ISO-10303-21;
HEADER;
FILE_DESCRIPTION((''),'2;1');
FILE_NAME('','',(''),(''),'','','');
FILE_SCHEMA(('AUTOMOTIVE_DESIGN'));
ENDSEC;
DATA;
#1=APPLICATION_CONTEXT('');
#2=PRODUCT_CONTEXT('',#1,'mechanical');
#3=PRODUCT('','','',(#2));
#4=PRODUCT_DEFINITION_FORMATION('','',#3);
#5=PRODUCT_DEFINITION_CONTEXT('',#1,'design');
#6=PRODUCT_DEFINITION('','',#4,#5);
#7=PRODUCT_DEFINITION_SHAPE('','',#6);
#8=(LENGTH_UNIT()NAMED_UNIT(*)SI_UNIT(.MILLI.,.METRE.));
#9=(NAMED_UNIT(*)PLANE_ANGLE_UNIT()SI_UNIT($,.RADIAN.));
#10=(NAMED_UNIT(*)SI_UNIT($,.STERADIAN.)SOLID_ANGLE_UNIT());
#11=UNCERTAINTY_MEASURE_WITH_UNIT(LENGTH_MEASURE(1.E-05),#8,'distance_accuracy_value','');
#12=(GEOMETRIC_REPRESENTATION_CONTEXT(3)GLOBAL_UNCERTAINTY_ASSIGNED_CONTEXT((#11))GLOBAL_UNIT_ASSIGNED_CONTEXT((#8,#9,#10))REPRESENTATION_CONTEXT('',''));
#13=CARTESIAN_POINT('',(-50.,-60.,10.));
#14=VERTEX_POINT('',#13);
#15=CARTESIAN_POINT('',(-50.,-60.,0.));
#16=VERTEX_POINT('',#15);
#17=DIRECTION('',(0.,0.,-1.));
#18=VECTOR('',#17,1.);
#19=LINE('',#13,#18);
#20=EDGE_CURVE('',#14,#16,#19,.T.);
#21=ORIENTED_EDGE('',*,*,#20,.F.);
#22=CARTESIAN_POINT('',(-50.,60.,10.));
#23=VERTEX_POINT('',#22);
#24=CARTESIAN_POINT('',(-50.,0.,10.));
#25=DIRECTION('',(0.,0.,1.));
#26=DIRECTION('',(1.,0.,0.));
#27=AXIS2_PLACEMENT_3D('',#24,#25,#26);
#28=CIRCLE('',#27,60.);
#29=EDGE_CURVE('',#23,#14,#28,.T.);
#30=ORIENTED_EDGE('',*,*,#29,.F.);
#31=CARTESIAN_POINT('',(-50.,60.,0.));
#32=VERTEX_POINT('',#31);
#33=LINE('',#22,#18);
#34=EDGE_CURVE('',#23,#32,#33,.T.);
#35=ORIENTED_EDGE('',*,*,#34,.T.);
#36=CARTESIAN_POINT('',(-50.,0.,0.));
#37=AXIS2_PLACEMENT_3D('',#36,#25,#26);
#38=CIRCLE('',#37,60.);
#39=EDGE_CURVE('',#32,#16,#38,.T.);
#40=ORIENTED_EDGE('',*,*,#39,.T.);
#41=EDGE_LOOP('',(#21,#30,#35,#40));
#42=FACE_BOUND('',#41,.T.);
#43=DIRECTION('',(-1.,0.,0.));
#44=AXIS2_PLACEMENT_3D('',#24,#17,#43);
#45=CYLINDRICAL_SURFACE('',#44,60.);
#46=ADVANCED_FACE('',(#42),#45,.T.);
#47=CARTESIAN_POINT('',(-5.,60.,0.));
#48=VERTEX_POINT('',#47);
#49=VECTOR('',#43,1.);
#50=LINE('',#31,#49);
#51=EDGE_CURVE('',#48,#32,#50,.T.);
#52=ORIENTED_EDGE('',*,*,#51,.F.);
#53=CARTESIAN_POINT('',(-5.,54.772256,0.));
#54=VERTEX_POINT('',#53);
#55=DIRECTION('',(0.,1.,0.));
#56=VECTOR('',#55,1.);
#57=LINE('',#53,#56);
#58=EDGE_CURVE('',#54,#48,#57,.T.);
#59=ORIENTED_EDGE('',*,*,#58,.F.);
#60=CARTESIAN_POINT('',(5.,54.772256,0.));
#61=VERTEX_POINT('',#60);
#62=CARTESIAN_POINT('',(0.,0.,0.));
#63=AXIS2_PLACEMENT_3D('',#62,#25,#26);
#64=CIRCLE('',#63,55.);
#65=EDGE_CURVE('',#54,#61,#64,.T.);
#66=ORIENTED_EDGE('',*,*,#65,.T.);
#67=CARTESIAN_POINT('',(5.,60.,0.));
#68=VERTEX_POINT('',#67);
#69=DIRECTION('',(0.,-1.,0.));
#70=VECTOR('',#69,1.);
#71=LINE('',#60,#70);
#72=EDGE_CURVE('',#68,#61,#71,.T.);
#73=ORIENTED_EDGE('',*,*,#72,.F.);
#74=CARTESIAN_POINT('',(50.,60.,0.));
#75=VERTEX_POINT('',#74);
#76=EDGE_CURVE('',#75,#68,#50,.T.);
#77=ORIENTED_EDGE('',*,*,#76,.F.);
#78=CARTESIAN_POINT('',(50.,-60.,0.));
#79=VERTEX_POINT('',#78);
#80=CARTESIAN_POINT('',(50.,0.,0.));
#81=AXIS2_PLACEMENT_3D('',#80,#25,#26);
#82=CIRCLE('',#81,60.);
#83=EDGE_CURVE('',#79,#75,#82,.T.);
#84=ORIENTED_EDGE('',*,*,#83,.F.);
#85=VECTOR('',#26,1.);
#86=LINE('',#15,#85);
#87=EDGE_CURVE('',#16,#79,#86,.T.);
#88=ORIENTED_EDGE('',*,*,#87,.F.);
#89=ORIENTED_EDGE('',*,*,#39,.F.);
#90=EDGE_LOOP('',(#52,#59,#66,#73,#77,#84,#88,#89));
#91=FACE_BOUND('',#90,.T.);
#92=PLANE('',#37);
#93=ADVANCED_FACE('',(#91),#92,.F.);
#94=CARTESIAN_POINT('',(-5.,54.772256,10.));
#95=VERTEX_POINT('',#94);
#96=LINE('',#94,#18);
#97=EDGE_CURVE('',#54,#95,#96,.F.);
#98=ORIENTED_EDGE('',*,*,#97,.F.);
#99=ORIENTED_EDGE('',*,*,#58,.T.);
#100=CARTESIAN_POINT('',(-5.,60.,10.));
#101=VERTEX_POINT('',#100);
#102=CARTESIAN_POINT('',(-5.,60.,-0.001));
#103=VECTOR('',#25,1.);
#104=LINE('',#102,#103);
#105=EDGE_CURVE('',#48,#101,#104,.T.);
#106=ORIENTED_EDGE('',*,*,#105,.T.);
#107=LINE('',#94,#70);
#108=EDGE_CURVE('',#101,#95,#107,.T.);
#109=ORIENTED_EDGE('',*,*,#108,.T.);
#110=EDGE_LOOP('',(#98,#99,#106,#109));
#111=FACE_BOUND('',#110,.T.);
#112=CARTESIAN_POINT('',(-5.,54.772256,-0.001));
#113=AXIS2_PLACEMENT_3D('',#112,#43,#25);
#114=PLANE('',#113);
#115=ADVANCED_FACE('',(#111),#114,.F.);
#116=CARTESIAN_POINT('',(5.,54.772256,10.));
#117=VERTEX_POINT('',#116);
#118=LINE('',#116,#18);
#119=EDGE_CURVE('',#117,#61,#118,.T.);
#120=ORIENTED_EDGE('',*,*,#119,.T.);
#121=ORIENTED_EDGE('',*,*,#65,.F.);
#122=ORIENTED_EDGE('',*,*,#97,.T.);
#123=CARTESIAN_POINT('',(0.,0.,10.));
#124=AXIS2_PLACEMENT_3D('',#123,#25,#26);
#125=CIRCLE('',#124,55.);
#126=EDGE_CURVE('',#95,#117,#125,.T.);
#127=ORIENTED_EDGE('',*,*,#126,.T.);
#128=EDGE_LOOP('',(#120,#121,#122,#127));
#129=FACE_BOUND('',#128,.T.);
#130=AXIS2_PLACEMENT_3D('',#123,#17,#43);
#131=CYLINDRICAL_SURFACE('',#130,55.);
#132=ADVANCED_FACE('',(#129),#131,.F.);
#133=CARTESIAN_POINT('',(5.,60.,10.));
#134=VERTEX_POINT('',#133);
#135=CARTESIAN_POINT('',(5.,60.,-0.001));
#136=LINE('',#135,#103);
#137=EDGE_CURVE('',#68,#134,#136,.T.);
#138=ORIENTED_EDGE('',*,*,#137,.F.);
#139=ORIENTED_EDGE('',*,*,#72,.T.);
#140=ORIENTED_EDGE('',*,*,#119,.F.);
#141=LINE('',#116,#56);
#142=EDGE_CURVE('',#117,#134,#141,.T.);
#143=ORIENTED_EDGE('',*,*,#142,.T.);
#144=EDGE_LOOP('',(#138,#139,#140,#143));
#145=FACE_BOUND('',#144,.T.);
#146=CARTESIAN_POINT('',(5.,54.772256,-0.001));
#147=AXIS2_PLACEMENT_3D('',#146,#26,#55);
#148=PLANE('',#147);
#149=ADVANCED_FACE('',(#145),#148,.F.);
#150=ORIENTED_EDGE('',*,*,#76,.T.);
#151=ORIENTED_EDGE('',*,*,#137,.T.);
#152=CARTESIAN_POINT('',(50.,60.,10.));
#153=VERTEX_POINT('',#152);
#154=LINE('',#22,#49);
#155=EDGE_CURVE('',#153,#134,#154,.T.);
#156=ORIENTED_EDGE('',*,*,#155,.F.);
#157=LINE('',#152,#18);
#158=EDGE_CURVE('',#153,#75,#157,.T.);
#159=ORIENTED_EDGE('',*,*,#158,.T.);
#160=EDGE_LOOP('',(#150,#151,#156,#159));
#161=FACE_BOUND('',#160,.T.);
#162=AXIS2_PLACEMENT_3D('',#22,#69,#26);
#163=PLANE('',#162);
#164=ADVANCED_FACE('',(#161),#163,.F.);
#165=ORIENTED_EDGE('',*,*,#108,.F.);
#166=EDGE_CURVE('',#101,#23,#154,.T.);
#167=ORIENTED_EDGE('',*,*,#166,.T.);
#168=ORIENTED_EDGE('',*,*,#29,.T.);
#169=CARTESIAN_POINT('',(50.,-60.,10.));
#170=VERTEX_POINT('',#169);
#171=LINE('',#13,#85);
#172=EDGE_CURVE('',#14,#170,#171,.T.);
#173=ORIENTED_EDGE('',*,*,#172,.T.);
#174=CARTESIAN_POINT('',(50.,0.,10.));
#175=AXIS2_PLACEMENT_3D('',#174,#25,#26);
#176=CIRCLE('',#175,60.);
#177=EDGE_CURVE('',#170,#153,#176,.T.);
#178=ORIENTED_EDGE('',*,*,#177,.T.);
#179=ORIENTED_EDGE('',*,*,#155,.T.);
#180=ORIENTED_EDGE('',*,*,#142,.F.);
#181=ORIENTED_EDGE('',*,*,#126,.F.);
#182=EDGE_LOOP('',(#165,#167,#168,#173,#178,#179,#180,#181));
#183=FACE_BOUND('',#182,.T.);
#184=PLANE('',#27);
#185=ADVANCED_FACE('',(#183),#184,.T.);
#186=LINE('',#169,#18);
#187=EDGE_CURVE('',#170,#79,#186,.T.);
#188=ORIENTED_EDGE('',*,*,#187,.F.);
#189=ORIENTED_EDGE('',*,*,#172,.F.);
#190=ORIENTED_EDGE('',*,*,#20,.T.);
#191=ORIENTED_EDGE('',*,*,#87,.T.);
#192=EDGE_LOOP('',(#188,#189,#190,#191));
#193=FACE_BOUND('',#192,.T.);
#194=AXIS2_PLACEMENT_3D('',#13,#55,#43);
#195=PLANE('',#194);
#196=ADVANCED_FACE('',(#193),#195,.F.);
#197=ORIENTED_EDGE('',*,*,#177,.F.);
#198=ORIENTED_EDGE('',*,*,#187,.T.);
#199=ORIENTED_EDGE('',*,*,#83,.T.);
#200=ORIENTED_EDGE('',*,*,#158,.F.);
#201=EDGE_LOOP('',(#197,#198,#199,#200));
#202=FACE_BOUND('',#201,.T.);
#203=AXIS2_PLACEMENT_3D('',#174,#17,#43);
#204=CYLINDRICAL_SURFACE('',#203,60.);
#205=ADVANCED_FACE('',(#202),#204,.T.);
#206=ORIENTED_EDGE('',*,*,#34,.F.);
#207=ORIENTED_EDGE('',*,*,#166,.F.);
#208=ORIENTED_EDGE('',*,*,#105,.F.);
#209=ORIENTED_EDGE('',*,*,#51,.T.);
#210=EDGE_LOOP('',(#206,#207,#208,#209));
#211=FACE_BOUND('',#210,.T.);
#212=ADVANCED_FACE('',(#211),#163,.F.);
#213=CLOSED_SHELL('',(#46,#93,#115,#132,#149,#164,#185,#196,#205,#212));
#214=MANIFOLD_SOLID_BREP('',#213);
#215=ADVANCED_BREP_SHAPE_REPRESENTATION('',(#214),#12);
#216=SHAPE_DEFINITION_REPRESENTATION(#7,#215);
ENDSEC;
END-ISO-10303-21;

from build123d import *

# Parameters (mm, degrees)
SKETCH2_R           = 55
BOSS_EXTRUDE1_DEPTH = 10
CUT_EXTRUDE1_REACH  = 127.698
SKETCH4_W           = 10
SKETCH4_H           = 5.227744249


with BuildPart() as part:
    # Sketch2 → Boss-Extrude1 (new body)
    with BuildSketch(Plane.XY):
        with BuildLine():
            Line((-50, 60), (50, 60))
            ThreePointArc((50, 60), (110, 0), (50, -60))
            Line((50, -60), (-50, -60))
            ThreePointArc((-50, -60), (-110, 0), (-50, 60))
        make_face()
        Circle(SKETCH2_R, mode=Mode.SUBTRACT)
    extrude(amount=BOSS_EXTRUDE1_DEPTH)

    # Sketch4 → Cut-Extrude1 (cut, up to next)
    with BuildSketch(Plane.XY.offset(10), mode=Mode.PRIVATE) as cut_extrude1_sk1:
        with Locations((0, 57.386127876)):
            Rectangle(SKETCH4_W, SKETCH4_H)
    cut_extrude1_tool1 = extrude(cut_extrude1_sk1.sketch, amount=-CUT_EXTRUDE1_REACH, mode=Mode.PRIVATE) & part.part
    add(cut_extrude1_tool1.solids().sort_by_distance((0, 57.386128, 10))[0], mode=Mode.SUBTRACT)


solid = part.part
